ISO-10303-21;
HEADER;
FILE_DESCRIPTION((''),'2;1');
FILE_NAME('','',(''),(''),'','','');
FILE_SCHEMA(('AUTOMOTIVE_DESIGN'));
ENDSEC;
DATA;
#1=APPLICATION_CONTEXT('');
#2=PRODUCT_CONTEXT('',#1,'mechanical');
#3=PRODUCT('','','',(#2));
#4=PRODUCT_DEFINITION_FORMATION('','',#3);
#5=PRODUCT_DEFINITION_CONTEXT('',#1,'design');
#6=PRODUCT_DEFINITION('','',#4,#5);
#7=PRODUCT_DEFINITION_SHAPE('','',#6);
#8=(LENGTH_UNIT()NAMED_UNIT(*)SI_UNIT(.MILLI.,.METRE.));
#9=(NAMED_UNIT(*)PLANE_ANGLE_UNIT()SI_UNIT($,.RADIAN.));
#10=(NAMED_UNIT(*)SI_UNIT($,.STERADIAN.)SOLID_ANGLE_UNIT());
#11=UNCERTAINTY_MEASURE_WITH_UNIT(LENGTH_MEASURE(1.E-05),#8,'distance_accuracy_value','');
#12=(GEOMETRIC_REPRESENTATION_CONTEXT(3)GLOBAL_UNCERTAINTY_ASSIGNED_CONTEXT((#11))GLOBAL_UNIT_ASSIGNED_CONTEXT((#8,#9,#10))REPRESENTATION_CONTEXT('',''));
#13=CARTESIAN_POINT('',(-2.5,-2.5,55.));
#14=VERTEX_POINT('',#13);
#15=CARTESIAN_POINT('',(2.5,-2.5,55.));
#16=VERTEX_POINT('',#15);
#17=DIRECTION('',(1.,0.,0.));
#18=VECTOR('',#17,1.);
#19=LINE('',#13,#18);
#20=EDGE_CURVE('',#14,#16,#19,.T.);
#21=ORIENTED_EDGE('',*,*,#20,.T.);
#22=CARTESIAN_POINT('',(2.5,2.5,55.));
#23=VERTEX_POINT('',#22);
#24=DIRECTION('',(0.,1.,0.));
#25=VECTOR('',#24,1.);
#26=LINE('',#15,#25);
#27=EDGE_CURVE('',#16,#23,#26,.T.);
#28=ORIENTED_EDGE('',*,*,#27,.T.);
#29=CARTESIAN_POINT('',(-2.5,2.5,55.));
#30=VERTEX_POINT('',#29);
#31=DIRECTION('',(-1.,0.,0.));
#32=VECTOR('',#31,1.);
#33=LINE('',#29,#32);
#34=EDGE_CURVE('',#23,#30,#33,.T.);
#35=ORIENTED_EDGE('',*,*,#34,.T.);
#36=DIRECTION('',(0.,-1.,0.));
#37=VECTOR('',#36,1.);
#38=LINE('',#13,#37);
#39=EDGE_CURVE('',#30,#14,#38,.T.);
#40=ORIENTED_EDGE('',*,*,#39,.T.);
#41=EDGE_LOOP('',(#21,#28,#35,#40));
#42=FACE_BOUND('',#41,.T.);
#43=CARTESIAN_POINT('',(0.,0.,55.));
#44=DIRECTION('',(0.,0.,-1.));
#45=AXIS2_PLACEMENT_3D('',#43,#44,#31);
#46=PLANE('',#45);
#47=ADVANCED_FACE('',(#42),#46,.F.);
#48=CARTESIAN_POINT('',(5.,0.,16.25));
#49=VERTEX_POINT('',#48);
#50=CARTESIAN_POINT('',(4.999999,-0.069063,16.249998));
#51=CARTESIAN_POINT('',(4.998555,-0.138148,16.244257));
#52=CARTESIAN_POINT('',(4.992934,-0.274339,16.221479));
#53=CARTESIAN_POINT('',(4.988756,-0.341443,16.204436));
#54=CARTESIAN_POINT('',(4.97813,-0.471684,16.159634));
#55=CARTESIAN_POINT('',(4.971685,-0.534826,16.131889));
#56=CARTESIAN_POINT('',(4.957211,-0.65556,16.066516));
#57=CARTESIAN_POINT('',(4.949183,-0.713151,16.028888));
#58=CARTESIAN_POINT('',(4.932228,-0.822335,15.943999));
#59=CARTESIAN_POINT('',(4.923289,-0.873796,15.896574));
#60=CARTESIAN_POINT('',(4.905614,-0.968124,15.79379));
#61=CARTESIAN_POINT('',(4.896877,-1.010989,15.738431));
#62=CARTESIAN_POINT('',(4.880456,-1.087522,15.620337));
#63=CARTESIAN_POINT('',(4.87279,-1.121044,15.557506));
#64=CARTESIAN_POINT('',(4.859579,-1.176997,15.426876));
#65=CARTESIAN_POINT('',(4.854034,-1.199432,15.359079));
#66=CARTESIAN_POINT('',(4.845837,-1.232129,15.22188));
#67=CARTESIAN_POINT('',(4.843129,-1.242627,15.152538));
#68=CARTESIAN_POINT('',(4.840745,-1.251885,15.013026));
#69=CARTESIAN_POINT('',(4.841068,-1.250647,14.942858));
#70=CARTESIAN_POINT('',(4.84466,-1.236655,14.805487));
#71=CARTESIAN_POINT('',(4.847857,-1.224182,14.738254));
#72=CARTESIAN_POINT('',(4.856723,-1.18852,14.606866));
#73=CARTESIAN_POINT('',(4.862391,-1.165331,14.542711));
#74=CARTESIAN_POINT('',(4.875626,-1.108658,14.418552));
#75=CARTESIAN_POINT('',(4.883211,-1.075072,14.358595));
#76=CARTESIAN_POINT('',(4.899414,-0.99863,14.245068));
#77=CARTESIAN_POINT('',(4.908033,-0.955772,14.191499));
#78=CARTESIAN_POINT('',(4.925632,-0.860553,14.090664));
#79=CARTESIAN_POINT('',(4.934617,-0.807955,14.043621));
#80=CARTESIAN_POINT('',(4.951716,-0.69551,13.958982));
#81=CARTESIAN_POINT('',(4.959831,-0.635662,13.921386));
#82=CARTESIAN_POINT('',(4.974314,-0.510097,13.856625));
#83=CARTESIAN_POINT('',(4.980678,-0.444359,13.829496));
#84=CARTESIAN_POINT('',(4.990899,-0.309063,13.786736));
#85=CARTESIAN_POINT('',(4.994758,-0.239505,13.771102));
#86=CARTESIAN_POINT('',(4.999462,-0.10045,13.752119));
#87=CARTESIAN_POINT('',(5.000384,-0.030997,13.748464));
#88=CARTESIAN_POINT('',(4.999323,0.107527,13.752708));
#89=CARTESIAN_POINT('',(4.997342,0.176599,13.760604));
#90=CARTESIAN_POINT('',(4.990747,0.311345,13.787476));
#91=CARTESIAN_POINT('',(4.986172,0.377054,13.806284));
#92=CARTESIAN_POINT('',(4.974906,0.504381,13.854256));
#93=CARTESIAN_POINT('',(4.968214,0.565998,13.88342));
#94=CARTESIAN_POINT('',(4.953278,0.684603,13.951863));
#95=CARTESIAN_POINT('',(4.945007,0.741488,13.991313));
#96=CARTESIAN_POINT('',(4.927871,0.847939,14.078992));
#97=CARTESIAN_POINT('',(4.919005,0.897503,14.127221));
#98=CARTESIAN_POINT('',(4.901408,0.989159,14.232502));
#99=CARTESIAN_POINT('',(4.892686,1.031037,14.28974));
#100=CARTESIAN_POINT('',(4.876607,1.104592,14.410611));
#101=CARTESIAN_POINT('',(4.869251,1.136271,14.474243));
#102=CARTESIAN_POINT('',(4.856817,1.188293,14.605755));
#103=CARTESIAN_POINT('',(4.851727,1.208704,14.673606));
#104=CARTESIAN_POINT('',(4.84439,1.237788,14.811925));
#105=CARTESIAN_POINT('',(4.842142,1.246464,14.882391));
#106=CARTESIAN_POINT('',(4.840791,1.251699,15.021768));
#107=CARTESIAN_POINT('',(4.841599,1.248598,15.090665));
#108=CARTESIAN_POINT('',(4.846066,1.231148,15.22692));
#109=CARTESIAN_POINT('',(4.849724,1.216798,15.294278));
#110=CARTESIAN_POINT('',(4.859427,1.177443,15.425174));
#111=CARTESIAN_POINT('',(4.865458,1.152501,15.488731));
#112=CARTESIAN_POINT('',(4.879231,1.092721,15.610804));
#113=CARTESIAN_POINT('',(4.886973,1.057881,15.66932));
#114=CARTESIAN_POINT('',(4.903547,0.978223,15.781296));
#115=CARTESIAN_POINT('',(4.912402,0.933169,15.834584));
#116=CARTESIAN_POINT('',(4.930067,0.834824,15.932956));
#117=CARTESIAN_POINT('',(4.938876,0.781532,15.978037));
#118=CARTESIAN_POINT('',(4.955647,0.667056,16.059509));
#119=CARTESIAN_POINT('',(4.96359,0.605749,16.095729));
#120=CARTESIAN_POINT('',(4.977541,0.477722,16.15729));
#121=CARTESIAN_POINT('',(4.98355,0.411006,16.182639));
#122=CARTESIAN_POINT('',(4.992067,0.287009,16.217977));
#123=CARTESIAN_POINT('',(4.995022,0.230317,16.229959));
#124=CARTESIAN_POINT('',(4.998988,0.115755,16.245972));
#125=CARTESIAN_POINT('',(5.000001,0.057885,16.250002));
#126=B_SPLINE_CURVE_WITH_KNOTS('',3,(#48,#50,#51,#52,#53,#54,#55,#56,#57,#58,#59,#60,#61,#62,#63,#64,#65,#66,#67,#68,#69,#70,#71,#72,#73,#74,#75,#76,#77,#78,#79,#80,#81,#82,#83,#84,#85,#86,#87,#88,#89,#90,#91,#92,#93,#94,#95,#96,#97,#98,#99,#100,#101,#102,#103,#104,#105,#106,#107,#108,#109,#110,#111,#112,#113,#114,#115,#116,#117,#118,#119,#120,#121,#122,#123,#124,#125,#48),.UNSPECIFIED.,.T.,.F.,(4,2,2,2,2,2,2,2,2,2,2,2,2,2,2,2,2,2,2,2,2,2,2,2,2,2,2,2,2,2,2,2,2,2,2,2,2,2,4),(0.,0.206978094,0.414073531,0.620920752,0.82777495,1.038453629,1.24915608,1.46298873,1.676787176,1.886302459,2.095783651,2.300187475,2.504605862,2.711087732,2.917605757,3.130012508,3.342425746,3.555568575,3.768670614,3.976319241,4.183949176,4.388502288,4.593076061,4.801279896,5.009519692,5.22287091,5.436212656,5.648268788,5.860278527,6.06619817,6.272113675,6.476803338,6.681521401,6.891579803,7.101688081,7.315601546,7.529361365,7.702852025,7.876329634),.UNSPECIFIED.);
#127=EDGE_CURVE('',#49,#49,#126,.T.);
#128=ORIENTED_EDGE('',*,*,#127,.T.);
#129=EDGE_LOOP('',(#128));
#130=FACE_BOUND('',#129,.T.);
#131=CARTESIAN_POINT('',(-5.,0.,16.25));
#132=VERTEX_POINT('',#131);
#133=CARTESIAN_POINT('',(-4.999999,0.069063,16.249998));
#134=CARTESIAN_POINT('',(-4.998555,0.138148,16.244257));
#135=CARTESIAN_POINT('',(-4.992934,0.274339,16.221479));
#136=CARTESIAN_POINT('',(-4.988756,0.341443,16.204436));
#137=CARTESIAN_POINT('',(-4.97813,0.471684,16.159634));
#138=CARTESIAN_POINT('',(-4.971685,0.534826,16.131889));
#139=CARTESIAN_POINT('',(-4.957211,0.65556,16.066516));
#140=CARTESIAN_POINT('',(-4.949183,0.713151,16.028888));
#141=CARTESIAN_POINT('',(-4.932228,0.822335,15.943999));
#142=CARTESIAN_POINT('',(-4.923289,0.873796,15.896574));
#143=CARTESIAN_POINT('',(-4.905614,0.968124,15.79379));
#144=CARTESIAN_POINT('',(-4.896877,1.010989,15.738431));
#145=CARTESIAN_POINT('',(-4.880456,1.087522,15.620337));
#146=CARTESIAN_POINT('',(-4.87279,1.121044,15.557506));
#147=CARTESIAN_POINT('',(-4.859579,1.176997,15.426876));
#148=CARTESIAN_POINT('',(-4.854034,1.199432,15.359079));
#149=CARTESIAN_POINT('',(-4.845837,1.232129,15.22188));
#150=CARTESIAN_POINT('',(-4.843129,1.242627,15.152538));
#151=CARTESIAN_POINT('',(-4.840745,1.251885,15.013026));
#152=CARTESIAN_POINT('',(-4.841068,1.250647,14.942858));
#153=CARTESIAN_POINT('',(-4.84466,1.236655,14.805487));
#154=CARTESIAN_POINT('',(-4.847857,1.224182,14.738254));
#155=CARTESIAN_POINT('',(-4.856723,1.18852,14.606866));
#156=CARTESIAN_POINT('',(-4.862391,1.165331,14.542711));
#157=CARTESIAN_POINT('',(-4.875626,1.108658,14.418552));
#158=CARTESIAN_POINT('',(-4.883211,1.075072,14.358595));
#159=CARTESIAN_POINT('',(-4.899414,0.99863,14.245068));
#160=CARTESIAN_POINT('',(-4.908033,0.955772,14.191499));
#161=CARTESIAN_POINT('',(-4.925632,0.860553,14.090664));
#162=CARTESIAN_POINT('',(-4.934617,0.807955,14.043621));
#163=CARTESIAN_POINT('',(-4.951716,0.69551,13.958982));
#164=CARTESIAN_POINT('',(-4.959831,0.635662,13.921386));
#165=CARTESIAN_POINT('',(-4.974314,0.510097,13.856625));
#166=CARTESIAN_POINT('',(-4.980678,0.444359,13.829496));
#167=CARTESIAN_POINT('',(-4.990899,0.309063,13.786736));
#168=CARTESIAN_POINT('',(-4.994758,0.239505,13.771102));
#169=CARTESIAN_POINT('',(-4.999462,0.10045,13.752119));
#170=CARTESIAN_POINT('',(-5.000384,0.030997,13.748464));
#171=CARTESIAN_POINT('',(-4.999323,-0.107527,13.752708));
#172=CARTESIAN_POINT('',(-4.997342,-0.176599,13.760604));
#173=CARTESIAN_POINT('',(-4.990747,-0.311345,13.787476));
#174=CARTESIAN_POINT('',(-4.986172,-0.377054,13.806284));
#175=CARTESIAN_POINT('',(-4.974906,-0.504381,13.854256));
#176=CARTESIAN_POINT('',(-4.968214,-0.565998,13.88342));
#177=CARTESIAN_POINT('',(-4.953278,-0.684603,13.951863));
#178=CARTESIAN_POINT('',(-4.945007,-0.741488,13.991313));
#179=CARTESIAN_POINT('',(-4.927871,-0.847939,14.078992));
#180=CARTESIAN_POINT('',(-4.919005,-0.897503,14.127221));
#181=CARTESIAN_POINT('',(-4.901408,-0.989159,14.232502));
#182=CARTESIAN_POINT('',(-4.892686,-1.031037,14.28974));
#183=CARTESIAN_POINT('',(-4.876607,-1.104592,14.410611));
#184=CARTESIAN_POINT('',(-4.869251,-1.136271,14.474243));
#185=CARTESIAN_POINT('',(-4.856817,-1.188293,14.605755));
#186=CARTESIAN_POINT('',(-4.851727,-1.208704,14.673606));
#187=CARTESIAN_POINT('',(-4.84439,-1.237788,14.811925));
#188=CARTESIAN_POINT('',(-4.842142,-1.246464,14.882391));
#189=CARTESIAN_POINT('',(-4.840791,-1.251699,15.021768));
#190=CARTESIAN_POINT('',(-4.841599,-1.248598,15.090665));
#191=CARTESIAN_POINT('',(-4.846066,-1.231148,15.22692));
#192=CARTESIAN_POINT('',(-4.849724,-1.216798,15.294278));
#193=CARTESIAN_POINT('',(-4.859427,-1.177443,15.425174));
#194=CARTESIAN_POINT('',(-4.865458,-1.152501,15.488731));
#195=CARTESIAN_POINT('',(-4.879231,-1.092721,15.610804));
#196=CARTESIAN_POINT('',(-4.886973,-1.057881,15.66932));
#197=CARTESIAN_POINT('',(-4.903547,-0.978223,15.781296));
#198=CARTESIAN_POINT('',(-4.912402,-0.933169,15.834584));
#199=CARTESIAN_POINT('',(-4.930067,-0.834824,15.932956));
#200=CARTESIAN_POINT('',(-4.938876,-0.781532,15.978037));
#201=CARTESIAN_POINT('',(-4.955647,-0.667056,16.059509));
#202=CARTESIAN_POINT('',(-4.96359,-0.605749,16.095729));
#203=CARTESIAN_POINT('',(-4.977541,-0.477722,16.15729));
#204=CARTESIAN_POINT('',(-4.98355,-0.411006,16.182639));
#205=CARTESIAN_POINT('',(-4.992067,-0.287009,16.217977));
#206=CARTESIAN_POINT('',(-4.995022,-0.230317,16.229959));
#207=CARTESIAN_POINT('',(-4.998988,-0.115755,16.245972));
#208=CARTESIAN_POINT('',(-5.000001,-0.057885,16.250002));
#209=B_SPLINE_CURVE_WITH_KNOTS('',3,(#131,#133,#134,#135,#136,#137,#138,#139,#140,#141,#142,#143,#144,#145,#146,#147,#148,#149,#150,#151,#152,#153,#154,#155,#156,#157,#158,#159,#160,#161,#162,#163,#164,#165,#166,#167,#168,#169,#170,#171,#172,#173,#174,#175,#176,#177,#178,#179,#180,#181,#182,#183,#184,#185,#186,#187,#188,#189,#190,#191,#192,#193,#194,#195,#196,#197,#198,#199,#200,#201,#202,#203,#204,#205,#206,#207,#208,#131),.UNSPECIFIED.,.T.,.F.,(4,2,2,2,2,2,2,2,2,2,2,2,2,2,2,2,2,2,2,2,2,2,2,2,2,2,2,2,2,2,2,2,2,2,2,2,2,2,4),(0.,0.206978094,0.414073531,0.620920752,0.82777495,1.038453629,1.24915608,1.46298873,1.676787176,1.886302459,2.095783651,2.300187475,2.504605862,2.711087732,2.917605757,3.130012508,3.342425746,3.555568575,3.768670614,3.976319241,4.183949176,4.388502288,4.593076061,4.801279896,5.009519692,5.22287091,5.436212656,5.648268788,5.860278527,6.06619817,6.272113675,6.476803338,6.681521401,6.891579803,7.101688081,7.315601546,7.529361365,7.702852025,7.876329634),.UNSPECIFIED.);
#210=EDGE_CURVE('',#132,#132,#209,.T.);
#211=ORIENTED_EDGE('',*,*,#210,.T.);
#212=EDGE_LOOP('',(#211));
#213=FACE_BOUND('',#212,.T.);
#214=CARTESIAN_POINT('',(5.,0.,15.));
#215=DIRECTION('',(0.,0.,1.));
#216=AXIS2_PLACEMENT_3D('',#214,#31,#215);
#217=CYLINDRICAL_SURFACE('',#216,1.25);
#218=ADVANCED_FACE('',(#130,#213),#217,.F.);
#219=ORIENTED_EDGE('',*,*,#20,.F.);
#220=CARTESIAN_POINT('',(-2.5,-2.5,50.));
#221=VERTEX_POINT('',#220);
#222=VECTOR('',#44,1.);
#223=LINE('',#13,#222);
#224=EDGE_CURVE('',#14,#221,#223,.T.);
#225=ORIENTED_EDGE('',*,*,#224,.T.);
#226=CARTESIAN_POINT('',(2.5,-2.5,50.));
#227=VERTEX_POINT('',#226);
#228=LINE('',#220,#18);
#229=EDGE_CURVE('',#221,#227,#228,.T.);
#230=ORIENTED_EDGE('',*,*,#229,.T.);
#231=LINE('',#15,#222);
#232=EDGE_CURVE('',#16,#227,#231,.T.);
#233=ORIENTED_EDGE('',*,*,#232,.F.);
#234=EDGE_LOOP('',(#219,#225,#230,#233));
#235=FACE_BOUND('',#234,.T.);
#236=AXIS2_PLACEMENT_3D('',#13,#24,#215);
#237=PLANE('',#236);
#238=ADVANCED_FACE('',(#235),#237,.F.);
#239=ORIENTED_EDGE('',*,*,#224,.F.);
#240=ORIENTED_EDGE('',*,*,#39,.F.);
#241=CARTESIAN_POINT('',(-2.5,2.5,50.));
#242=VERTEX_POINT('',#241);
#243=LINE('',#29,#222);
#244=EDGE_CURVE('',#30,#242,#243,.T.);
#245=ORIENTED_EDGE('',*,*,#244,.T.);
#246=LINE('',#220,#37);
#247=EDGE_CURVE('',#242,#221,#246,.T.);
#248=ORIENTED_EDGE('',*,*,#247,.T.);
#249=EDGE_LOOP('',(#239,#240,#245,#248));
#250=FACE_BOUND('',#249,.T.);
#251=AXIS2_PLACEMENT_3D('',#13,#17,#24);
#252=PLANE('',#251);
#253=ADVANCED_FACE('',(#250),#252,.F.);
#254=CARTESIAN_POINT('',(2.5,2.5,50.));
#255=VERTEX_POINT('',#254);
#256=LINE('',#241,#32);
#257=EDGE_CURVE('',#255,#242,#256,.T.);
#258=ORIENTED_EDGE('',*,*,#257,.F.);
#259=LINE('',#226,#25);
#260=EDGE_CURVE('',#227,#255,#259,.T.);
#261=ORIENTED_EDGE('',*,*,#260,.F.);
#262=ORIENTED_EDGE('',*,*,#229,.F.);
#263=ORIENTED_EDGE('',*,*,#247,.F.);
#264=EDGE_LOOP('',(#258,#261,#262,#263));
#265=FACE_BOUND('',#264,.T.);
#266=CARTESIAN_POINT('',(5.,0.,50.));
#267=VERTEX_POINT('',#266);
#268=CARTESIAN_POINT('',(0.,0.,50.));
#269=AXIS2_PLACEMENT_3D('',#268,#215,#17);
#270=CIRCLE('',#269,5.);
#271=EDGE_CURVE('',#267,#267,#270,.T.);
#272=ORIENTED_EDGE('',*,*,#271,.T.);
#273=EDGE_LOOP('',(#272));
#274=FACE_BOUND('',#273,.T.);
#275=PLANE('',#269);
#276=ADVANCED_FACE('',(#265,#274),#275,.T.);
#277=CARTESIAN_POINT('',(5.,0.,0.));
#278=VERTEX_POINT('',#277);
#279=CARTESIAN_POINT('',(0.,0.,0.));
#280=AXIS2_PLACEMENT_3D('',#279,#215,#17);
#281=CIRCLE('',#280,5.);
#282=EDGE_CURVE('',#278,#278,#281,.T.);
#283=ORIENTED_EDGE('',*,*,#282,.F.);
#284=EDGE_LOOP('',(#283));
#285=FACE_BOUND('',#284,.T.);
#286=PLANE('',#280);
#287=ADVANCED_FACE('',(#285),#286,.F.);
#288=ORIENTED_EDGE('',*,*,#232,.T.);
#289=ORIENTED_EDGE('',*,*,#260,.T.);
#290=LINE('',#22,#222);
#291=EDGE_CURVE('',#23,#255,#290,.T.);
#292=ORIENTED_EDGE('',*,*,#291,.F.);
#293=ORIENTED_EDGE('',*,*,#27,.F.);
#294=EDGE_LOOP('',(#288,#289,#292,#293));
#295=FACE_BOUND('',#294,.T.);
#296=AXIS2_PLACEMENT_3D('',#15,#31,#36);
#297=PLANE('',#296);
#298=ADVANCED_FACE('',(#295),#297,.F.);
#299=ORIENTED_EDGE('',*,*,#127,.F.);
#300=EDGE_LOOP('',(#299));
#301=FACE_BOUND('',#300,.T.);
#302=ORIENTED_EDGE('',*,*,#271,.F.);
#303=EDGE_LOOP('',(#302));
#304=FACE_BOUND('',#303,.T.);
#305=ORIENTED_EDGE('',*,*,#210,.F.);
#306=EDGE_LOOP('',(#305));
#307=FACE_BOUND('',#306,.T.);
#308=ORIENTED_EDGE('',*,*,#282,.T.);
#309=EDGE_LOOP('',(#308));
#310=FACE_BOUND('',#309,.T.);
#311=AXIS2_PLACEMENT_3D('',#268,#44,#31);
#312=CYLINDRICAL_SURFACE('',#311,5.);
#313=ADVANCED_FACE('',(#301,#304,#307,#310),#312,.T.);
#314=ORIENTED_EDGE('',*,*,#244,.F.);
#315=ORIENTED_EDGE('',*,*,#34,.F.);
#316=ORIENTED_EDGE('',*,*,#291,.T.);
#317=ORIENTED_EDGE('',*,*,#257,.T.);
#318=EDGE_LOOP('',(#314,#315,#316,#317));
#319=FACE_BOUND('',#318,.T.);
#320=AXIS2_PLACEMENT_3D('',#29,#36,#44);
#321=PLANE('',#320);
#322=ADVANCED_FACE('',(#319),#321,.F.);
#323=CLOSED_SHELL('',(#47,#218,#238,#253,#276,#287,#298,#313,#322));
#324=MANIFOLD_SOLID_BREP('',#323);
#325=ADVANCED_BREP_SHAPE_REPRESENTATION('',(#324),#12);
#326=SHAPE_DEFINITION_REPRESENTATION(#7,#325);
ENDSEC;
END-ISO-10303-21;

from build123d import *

# Parameters (mm, degrees)
SKETCH1_R               = 5
BOSS_EXTRUDE1_DEPTH     = 50
SKETCH2_W               = 5
SKETCH2_H               = 5
BOSS_EXTRUDE2_DEPTH     = 5
CUT_EXTRUDE1_DEPTH      = 5
CUT_EXTRUDE1_DEPTH_BACK = 5
SKETCH5_R               = 1.25


with BuildPart() as part:
    # Sketch1 → Boss-Extrude1 (new body)
    with BuildSketch(Plane.XY):
        Circle(SKETCH1_R)
    extrude(amount=BOSS_EXTRUDE1_DEPTH)

    # Sketch2 → Boss-Extrude2 (add)
    with BuildSketch(Plane.XY.offset(50)):
        Rectangle(SKETCH2_W, SKETCH2_H)
    extrude(amount=BOSS_EXTRUDE2_DEPTH)

    # Sketch5 → Cut-Extrude1 (cut, two sides: drawn at the far end of the back side and taken through both)
    with BuildSketch(Plane(origin=(0, 0, 0), x_dir=(0, 0, -1), z_dir=(1, 0, 0)).offset(-CUT_EXTRUDE1_DEPTH_BACK)):
        with Locations(Location((-15, 0, 0), (0, 0, 180))):
            Circle(SKETCH5_R)
    extrude(amount=CUT_EXTRUDE1_DEPTH + CUT_EXTRUDE1_DEPTH_BACK, mode=Mode.SUBTRACT)


solid = part.part
